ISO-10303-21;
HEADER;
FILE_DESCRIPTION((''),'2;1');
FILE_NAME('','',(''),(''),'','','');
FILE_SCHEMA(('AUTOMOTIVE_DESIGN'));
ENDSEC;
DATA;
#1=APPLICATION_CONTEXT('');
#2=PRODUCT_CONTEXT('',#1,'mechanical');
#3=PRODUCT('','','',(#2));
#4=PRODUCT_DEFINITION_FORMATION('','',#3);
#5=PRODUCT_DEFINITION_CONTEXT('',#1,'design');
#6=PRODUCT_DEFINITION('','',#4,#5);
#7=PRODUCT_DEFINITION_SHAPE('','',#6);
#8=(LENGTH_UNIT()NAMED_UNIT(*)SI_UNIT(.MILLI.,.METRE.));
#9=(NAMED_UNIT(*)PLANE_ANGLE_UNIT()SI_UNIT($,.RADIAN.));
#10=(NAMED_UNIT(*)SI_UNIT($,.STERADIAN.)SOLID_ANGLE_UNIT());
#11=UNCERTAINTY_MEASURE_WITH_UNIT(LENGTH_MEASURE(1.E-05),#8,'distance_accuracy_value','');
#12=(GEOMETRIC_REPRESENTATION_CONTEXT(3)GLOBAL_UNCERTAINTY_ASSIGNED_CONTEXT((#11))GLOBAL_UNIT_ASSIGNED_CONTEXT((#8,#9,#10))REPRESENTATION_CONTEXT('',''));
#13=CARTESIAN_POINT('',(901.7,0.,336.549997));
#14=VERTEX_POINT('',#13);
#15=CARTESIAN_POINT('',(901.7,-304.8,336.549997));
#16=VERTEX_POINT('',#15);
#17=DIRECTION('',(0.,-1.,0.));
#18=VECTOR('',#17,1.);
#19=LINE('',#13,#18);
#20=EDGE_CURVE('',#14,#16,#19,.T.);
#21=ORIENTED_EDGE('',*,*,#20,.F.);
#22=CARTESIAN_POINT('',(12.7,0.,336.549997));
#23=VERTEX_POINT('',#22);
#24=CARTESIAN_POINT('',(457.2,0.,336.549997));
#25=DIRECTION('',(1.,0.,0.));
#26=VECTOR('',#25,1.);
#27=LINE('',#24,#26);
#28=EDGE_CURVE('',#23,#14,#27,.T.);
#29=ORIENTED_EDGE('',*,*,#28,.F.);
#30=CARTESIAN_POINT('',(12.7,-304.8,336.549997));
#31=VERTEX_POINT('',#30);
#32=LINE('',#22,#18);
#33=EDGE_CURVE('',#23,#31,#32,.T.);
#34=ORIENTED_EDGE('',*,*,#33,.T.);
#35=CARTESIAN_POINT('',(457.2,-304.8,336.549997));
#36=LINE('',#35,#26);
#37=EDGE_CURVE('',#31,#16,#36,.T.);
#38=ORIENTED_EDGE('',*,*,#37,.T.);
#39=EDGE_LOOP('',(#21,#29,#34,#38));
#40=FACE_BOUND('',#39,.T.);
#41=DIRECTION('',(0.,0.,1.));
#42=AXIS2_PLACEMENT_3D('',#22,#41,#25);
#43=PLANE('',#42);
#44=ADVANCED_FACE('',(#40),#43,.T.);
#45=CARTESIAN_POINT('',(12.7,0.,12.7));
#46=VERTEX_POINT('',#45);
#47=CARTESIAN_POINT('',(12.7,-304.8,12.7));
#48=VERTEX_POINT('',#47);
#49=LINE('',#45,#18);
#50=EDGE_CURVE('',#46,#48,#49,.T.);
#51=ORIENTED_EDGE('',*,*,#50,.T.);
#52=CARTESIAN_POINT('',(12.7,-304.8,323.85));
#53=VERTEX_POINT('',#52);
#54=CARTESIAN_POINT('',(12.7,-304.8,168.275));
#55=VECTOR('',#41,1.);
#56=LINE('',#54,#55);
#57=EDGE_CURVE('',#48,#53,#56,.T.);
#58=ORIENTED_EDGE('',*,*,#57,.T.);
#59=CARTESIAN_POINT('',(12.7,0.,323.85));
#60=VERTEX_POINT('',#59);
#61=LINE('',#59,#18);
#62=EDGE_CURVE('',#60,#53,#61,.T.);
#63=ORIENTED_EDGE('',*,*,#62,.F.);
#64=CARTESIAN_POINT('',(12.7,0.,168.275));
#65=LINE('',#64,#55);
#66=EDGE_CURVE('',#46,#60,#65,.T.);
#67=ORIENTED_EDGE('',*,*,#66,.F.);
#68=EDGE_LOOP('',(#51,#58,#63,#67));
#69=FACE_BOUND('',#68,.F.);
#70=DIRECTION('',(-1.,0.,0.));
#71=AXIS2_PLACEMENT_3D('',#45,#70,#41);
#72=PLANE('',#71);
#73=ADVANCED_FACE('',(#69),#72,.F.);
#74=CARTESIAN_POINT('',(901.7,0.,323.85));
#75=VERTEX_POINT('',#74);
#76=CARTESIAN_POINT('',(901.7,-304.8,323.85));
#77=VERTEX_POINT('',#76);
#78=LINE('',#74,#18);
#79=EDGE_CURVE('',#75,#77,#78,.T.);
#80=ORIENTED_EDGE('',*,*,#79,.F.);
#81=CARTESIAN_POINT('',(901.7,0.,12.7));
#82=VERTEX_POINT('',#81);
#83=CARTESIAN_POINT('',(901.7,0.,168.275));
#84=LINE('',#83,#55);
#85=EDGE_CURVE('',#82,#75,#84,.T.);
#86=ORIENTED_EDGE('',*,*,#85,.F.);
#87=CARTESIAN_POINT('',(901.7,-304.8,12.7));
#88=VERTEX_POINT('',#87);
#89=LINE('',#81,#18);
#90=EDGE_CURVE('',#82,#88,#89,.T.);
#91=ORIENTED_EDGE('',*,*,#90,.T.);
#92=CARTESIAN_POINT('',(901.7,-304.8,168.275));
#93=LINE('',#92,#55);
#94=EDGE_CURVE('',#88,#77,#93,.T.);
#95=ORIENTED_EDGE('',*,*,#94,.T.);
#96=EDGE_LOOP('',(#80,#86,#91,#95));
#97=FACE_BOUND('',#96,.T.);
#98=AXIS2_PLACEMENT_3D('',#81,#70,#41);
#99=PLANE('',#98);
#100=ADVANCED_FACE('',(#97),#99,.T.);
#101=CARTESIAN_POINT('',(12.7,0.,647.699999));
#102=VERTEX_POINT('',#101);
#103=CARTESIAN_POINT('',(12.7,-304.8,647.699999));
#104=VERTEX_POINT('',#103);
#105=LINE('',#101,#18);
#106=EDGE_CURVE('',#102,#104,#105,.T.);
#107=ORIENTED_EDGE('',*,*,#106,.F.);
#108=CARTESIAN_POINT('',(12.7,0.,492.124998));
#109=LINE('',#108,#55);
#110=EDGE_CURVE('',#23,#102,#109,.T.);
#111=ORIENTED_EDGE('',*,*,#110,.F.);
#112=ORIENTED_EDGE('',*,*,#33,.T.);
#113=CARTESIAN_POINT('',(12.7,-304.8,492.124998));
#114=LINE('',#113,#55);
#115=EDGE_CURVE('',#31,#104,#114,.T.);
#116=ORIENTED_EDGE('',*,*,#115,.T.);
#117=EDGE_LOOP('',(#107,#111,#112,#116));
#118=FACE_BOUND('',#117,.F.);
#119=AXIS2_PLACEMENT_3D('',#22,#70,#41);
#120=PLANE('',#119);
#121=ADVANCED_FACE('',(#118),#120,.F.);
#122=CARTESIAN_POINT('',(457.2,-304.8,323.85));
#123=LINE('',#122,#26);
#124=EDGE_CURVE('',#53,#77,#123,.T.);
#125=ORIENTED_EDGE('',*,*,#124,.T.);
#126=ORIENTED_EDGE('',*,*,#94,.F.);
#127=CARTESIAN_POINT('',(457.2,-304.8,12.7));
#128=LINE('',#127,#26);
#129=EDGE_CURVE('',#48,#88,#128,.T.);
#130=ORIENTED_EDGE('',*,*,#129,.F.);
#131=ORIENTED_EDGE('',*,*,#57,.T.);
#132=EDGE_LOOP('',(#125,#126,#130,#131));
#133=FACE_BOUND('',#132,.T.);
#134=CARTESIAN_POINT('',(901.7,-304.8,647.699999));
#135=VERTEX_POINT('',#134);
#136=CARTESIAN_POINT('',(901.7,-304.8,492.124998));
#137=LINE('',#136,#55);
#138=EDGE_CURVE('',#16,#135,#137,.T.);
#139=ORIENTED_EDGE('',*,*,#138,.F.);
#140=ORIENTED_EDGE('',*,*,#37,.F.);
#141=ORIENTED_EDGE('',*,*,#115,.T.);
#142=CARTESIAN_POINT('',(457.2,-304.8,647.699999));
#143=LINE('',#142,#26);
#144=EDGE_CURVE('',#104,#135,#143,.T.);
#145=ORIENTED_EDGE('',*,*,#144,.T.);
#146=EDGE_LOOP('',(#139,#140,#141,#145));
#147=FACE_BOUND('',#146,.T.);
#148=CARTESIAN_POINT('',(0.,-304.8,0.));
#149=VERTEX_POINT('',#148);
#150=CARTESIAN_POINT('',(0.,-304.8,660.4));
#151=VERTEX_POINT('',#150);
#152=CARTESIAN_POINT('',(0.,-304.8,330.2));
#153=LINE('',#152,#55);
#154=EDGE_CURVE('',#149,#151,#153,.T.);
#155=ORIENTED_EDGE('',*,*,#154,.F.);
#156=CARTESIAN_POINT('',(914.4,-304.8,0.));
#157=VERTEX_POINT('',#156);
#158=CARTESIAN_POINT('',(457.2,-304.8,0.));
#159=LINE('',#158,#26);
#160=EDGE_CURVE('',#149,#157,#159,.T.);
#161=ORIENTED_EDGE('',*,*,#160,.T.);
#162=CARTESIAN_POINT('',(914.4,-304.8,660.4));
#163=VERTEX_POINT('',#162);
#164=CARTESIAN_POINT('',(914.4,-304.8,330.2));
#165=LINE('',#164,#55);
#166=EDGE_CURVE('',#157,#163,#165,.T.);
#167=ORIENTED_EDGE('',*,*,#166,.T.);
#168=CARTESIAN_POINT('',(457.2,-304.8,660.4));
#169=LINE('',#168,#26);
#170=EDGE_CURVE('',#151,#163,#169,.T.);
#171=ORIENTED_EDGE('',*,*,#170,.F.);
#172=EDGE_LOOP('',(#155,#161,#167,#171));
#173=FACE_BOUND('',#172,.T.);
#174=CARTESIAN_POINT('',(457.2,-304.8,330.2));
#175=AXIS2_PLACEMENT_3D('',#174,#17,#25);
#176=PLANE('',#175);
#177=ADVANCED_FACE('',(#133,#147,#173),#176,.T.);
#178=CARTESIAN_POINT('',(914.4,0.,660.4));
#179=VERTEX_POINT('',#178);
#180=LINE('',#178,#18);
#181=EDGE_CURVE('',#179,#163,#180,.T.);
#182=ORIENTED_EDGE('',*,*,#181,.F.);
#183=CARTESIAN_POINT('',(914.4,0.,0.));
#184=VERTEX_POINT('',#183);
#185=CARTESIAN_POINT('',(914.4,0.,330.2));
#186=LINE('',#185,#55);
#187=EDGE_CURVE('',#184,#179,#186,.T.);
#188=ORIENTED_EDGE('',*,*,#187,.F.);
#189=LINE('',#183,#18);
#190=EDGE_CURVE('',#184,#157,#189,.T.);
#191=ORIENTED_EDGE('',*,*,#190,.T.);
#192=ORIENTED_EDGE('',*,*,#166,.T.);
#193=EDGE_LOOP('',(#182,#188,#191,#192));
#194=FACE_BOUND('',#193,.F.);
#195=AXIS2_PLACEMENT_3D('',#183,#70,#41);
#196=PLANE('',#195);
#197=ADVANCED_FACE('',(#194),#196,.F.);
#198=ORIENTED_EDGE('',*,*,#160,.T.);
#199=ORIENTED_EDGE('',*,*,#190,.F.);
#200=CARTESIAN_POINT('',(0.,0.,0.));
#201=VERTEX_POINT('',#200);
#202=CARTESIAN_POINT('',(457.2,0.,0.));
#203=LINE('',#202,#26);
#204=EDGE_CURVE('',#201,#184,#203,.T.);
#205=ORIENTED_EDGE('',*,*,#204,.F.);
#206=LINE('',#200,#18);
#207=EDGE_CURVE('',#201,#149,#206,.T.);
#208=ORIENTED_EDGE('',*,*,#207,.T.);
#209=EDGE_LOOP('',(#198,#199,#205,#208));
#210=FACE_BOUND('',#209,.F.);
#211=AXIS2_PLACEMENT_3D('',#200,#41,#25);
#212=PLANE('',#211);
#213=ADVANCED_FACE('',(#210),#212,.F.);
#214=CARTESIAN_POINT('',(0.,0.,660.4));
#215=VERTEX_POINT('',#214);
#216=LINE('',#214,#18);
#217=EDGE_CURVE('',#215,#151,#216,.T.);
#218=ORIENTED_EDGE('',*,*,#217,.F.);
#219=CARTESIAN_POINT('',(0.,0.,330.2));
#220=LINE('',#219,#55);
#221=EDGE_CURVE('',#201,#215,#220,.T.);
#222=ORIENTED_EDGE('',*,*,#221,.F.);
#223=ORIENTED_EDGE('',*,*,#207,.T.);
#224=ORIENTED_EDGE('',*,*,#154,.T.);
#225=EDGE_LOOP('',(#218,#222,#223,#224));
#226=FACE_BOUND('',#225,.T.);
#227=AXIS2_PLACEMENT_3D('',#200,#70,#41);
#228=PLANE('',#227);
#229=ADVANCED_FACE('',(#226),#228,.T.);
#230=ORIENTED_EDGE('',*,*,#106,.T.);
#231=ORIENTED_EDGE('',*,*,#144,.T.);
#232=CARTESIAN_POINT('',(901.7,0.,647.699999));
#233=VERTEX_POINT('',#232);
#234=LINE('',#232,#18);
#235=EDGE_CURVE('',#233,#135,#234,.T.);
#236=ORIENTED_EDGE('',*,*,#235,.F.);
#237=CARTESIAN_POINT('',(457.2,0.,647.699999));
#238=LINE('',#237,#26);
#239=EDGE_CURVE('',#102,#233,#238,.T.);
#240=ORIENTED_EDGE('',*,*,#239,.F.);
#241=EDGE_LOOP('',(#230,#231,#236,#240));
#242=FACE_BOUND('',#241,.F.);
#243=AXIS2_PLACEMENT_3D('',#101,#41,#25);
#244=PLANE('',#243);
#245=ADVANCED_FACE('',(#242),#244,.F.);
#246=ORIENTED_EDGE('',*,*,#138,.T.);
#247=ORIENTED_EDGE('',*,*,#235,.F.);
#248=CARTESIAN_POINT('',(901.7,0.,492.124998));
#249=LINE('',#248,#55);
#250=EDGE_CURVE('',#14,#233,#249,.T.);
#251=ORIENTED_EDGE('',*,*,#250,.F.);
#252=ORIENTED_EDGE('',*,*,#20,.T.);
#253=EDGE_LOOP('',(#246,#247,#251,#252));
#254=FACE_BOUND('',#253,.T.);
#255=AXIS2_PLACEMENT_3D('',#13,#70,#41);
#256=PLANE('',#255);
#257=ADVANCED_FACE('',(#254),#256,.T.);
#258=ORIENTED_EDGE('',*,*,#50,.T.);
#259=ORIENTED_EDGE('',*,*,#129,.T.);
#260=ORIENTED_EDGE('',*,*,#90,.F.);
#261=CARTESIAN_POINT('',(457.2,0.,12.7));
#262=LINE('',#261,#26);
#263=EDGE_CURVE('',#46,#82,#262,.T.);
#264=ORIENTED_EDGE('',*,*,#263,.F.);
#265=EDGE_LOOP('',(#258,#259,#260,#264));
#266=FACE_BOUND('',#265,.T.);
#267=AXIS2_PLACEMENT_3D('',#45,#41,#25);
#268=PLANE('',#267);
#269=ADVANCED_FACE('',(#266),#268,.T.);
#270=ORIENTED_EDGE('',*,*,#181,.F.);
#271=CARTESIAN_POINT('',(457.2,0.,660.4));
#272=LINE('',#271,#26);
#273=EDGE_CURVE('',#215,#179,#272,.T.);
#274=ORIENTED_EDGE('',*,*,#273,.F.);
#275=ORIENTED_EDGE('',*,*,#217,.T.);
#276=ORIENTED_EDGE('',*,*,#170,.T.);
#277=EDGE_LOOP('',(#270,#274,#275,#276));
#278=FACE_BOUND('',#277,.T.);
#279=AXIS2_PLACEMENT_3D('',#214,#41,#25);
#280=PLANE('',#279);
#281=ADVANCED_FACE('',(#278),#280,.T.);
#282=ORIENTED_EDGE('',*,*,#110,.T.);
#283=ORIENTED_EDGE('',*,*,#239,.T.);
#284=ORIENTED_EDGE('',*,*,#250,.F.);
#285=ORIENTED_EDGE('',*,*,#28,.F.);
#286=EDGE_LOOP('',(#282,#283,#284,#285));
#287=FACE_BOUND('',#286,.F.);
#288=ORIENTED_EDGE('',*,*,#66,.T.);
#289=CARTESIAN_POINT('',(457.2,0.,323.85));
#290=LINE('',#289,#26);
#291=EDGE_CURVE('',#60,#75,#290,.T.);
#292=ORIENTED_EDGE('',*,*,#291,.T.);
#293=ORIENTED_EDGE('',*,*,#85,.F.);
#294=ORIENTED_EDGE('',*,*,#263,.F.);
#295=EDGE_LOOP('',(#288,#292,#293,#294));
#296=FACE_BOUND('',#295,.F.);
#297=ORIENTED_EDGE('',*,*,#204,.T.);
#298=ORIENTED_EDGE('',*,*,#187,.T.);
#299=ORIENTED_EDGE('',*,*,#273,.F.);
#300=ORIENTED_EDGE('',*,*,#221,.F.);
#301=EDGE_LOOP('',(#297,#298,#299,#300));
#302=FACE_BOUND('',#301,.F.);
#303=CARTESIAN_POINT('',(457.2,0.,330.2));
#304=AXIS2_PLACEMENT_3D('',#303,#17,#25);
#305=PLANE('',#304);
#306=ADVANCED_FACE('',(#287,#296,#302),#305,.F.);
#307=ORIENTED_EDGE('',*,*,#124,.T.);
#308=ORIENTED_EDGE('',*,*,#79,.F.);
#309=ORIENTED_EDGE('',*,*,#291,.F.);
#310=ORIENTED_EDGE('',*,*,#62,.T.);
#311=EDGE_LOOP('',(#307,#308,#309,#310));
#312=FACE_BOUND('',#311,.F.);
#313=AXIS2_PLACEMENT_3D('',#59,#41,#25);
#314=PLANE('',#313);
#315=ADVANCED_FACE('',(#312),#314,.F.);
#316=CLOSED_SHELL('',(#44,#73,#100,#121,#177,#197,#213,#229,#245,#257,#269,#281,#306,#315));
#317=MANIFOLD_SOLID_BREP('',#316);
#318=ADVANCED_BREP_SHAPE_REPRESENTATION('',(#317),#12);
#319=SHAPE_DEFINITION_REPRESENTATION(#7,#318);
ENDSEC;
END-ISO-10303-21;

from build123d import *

# Parameters (mm, degrees)
F0_W     = 914.4
F0_H     = 660.4
F0_W_2   = 889
F0_H_2   = 311.15
F0_H_3   = 311.150003
F1_DEPTH = 304.8


with BuildPart() as f1:
    # F0 (on Front) → F1 (new body)
    with BuildSketch(Plane.XZ):
        with Locations((457.2, 330.2)):
            Rectangle(F0_W, F0_H)
        with Locations((457.2, 168.275)):
            Rectangle(F0_W_2, F0_H_2, mode=Mode.SUBTRACT)
        with Locations((457.2, 492.124998)):
            Rectangle(F0_W_2, F0_H_3, mode=Mode.SUBTRACT)
    extrude(amount=F1_DEPTH)


solid = f1.part
